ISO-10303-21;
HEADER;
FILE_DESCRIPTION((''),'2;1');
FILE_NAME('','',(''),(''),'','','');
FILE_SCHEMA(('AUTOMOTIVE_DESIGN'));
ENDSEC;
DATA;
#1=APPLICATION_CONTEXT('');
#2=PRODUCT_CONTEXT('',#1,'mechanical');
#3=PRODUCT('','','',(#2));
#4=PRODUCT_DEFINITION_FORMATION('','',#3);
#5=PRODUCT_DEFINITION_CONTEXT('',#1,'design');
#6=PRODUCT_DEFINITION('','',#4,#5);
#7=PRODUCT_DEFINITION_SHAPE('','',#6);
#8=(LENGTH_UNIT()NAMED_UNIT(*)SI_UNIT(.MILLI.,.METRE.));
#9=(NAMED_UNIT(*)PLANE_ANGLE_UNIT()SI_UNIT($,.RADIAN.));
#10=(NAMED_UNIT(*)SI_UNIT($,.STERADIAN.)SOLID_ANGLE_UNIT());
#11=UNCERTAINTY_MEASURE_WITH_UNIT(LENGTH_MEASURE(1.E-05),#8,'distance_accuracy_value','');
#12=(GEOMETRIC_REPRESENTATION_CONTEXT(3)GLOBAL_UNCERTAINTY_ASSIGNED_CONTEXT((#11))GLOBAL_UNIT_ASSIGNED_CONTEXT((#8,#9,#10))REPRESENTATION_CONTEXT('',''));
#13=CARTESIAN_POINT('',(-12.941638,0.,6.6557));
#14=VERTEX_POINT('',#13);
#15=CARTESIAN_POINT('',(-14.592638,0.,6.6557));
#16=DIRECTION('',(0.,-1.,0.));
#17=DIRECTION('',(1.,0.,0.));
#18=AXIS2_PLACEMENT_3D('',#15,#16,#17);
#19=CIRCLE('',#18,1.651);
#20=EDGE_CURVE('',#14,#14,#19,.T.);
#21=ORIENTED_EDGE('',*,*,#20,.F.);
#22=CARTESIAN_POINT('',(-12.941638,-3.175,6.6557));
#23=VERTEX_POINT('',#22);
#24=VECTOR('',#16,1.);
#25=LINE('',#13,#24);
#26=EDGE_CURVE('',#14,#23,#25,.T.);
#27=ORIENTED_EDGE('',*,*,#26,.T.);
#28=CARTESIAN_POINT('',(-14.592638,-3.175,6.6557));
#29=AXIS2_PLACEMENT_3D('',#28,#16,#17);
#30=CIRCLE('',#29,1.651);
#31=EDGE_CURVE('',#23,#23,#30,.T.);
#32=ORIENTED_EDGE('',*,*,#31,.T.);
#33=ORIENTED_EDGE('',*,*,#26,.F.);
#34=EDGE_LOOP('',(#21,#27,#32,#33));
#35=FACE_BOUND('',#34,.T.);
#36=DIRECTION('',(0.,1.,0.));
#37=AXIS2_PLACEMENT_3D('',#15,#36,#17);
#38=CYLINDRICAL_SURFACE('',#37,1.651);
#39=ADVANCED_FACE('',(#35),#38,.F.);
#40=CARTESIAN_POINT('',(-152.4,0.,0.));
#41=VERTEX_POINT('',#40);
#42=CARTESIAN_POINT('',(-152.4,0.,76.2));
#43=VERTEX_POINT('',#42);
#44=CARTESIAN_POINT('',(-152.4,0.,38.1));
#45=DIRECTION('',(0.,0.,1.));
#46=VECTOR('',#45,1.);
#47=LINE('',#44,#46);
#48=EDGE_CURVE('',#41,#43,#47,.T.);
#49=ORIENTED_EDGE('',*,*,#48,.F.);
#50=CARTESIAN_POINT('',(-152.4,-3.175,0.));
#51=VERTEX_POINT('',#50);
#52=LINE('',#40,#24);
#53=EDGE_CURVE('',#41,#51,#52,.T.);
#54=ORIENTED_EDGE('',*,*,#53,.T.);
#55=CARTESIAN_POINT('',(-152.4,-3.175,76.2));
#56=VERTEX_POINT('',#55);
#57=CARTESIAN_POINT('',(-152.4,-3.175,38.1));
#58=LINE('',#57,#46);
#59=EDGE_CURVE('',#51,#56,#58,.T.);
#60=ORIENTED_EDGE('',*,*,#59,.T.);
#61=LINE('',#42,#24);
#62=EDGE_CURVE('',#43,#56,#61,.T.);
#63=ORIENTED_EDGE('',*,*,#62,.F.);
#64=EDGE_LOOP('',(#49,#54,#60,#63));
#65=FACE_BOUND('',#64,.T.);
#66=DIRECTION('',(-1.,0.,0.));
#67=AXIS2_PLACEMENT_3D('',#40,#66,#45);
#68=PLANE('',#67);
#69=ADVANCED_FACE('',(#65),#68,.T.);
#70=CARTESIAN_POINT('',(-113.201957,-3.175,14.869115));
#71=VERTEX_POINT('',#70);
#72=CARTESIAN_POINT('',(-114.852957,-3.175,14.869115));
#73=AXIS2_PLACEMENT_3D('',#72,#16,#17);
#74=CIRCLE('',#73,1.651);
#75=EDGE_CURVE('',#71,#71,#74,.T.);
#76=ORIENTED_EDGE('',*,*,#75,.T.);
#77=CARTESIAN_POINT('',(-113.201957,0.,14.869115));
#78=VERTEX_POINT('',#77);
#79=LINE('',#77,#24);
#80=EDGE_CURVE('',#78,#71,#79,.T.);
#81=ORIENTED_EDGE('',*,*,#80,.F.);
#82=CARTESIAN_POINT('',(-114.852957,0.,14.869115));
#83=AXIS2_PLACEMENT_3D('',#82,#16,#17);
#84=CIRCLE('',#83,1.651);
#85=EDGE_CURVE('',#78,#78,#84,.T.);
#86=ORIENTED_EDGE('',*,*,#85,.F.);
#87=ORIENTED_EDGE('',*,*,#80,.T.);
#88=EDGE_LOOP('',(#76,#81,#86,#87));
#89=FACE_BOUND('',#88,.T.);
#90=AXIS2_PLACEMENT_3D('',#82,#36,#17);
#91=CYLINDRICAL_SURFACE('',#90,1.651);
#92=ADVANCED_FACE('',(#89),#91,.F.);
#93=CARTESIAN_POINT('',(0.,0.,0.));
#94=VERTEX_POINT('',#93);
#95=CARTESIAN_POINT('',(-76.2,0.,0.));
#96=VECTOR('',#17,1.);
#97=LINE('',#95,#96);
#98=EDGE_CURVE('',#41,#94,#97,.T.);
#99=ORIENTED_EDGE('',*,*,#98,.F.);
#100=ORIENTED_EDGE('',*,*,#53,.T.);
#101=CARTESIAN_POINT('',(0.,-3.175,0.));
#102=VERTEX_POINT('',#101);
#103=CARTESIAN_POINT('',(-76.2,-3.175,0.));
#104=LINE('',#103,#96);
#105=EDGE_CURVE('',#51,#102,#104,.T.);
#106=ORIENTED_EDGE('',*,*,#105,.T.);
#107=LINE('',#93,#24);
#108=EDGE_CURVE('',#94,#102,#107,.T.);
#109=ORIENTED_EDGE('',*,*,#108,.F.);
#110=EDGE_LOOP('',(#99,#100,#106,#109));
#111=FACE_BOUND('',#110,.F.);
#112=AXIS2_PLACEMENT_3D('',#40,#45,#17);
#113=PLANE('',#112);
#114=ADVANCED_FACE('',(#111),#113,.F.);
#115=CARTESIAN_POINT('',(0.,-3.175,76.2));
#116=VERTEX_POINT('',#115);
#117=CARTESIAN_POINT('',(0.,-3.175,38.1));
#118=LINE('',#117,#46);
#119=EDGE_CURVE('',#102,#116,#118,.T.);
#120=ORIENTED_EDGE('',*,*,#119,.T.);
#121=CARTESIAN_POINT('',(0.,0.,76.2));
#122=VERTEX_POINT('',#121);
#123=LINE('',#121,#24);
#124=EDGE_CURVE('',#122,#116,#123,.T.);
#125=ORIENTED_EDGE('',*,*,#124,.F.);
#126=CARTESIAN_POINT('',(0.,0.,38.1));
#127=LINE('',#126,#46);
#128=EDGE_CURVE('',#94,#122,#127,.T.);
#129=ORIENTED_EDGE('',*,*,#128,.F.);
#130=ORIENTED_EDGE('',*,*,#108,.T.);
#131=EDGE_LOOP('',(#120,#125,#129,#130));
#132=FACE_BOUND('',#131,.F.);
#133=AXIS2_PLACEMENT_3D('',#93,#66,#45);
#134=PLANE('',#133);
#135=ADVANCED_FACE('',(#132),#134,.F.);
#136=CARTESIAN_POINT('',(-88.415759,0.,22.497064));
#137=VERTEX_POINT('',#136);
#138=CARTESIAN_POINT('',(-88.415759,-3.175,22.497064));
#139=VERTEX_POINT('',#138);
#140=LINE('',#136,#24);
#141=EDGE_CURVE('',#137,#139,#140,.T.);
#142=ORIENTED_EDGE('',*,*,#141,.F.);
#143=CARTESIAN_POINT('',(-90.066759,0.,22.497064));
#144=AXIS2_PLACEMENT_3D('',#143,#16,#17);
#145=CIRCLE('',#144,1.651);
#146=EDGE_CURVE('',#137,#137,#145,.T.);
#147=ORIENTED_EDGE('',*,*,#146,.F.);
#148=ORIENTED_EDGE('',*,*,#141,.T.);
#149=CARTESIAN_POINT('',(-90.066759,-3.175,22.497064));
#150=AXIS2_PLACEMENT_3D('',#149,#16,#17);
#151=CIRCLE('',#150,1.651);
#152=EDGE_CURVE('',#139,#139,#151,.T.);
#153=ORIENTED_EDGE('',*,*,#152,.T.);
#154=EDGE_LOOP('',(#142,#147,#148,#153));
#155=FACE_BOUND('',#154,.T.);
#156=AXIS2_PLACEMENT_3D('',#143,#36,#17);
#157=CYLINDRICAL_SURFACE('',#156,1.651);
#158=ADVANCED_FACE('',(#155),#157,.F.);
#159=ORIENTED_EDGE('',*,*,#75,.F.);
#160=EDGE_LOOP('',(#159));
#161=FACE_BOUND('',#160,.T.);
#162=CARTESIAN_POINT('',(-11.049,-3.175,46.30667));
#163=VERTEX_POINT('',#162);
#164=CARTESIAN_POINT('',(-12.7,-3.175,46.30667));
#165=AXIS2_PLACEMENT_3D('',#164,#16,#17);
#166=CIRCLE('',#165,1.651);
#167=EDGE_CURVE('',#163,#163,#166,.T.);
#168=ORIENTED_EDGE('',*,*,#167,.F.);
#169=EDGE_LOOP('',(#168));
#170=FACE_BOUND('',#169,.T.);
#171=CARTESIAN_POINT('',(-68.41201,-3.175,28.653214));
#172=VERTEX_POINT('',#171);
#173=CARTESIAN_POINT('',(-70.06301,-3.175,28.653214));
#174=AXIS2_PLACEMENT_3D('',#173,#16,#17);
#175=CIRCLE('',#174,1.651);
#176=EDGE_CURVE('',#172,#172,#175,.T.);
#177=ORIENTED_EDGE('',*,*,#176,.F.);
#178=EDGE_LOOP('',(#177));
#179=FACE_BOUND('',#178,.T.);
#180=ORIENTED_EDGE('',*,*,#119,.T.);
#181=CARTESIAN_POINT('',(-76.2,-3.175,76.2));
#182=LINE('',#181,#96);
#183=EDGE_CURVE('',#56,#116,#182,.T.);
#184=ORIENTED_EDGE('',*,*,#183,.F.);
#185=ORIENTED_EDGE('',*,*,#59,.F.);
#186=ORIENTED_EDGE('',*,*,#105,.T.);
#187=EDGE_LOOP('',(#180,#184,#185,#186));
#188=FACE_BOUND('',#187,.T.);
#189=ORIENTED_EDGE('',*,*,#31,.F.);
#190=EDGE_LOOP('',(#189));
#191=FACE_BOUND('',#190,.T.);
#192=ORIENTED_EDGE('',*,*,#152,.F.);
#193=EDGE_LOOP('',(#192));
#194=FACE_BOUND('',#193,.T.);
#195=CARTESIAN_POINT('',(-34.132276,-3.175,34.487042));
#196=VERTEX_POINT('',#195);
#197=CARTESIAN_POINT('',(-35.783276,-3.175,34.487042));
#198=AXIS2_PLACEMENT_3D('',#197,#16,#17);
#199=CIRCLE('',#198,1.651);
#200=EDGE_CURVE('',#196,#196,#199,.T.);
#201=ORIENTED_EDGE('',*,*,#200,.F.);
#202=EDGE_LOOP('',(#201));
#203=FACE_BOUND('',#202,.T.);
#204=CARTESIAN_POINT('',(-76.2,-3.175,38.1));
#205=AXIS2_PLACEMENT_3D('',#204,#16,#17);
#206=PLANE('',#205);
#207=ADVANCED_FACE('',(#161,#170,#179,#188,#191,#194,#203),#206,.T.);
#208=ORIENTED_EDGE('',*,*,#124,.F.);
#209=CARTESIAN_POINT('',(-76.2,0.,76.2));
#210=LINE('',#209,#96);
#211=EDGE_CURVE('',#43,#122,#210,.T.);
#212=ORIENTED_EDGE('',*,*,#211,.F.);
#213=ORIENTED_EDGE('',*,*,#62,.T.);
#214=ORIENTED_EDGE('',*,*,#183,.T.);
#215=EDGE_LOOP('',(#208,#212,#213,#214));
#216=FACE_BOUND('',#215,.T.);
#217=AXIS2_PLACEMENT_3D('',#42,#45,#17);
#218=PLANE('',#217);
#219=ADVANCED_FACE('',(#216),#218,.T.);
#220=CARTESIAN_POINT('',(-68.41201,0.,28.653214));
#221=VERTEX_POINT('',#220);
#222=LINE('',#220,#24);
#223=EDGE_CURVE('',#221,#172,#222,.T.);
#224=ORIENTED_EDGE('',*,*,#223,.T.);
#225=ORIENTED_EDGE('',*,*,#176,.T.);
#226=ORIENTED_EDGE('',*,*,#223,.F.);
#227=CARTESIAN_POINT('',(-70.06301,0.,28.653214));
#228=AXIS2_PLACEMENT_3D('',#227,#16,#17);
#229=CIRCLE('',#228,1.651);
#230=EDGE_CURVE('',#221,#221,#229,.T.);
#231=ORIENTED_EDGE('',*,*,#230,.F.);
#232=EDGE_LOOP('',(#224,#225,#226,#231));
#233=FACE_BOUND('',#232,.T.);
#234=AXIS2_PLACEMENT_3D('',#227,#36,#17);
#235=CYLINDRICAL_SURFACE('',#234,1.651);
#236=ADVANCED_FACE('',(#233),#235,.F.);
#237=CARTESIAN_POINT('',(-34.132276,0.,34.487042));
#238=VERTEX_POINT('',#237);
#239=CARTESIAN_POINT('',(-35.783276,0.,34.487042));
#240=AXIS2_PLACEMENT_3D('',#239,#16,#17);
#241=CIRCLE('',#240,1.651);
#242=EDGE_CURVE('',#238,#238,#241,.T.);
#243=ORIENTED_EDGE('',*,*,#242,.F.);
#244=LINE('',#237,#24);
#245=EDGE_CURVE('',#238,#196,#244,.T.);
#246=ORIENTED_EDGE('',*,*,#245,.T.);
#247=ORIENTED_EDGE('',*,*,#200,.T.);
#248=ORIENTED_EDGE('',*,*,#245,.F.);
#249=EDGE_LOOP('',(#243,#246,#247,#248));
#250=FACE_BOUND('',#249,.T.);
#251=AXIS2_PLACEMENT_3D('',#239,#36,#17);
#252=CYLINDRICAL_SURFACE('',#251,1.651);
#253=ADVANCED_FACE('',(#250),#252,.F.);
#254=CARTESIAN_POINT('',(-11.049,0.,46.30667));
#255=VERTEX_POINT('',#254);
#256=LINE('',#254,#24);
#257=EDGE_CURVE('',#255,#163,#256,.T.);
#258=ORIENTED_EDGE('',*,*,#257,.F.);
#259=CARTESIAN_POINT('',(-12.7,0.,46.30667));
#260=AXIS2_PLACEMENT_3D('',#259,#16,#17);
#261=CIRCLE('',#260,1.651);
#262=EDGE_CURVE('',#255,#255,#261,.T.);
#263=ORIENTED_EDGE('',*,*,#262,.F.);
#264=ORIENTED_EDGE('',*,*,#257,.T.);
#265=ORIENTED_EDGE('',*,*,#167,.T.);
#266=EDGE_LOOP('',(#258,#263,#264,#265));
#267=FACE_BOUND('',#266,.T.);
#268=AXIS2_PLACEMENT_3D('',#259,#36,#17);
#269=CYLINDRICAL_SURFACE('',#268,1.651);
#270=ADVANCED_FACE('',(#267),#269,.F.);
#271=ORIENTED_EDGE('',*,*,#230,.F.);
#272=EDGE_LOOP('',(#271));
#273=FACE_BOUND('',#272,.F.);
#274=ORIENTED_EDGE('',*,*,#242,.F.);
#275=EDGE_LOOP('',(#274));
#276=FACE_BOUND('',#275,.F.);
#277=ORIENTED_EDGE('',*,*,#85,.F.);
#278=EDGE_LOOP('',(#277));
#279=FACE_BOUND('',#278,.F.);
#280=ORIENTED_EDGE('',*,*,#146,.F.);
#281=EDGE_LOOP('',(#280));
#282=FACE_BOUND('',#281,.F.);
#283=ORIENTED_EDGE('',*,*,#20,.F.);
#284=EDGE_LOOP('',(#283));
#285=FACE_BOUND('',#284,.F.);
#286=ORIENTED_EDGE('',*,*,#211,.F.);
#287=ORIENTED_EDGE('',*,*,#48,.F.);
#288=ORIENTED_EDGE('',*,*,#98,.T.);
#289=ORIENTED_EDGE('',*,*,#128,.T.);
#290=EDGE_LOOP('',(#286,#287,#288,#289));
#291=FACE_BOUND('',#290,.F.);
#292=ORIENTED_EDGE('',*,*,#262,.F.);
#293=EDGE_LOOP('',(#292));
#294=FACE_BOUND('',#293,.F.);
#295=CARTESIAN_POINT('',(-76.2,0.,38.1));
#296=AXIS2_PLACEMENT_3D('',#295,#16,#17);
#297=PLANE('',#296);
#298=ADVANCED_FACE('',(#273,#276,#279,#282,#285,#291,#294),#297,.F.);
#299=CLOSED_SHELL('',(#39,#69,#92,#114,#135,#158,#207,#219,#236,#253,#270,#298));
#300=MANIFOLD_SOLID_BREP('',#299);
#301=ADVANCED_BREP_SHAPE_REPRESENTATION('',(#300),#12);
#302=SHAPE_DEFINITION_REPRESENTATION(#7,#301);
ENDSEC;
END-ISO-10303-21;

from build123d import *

# Parameters (mm, degrees)
F0_W     = 152.4
F0_H     = 76.2
F0_R     = 1.651
F1_DEPTH = 3.175


with BuildPart() as f1:
    # F0 (on Front) → F1 (new body)
    with BuildSketch(Plane.XZ):
        with Locations((-76.2, 38.1)):
            Rectangle(F0_W, F0_H)
        with Locations((-114.852957, 14.869115)):
            Circle(F0_R, mode=Mode.SUBTRACT)
        with Locations((-90.066759, 22.497064)):
            Circle(F0_R, mode=Mode.SUBTRACT)
        with Locations((-14.592638, 6.6557)):
            Circle(F0_R, mode=Mode.SUBTRACT)
        with Locations((-70.06301, 28.653214)):
            Circle(F0_R, mode=Mode.SUBTRACT)
        with Locations((-35.783276, 34.487042)):
            Circle(F0_R, mode=Mode.SUBTRACT)
        with Locations((-12.7, 46.30667)):
            Circle(F0_R, mode=Mode.SUBTRACT)
    extrude(amount=F1_DEPTH)


solid = f1.part
